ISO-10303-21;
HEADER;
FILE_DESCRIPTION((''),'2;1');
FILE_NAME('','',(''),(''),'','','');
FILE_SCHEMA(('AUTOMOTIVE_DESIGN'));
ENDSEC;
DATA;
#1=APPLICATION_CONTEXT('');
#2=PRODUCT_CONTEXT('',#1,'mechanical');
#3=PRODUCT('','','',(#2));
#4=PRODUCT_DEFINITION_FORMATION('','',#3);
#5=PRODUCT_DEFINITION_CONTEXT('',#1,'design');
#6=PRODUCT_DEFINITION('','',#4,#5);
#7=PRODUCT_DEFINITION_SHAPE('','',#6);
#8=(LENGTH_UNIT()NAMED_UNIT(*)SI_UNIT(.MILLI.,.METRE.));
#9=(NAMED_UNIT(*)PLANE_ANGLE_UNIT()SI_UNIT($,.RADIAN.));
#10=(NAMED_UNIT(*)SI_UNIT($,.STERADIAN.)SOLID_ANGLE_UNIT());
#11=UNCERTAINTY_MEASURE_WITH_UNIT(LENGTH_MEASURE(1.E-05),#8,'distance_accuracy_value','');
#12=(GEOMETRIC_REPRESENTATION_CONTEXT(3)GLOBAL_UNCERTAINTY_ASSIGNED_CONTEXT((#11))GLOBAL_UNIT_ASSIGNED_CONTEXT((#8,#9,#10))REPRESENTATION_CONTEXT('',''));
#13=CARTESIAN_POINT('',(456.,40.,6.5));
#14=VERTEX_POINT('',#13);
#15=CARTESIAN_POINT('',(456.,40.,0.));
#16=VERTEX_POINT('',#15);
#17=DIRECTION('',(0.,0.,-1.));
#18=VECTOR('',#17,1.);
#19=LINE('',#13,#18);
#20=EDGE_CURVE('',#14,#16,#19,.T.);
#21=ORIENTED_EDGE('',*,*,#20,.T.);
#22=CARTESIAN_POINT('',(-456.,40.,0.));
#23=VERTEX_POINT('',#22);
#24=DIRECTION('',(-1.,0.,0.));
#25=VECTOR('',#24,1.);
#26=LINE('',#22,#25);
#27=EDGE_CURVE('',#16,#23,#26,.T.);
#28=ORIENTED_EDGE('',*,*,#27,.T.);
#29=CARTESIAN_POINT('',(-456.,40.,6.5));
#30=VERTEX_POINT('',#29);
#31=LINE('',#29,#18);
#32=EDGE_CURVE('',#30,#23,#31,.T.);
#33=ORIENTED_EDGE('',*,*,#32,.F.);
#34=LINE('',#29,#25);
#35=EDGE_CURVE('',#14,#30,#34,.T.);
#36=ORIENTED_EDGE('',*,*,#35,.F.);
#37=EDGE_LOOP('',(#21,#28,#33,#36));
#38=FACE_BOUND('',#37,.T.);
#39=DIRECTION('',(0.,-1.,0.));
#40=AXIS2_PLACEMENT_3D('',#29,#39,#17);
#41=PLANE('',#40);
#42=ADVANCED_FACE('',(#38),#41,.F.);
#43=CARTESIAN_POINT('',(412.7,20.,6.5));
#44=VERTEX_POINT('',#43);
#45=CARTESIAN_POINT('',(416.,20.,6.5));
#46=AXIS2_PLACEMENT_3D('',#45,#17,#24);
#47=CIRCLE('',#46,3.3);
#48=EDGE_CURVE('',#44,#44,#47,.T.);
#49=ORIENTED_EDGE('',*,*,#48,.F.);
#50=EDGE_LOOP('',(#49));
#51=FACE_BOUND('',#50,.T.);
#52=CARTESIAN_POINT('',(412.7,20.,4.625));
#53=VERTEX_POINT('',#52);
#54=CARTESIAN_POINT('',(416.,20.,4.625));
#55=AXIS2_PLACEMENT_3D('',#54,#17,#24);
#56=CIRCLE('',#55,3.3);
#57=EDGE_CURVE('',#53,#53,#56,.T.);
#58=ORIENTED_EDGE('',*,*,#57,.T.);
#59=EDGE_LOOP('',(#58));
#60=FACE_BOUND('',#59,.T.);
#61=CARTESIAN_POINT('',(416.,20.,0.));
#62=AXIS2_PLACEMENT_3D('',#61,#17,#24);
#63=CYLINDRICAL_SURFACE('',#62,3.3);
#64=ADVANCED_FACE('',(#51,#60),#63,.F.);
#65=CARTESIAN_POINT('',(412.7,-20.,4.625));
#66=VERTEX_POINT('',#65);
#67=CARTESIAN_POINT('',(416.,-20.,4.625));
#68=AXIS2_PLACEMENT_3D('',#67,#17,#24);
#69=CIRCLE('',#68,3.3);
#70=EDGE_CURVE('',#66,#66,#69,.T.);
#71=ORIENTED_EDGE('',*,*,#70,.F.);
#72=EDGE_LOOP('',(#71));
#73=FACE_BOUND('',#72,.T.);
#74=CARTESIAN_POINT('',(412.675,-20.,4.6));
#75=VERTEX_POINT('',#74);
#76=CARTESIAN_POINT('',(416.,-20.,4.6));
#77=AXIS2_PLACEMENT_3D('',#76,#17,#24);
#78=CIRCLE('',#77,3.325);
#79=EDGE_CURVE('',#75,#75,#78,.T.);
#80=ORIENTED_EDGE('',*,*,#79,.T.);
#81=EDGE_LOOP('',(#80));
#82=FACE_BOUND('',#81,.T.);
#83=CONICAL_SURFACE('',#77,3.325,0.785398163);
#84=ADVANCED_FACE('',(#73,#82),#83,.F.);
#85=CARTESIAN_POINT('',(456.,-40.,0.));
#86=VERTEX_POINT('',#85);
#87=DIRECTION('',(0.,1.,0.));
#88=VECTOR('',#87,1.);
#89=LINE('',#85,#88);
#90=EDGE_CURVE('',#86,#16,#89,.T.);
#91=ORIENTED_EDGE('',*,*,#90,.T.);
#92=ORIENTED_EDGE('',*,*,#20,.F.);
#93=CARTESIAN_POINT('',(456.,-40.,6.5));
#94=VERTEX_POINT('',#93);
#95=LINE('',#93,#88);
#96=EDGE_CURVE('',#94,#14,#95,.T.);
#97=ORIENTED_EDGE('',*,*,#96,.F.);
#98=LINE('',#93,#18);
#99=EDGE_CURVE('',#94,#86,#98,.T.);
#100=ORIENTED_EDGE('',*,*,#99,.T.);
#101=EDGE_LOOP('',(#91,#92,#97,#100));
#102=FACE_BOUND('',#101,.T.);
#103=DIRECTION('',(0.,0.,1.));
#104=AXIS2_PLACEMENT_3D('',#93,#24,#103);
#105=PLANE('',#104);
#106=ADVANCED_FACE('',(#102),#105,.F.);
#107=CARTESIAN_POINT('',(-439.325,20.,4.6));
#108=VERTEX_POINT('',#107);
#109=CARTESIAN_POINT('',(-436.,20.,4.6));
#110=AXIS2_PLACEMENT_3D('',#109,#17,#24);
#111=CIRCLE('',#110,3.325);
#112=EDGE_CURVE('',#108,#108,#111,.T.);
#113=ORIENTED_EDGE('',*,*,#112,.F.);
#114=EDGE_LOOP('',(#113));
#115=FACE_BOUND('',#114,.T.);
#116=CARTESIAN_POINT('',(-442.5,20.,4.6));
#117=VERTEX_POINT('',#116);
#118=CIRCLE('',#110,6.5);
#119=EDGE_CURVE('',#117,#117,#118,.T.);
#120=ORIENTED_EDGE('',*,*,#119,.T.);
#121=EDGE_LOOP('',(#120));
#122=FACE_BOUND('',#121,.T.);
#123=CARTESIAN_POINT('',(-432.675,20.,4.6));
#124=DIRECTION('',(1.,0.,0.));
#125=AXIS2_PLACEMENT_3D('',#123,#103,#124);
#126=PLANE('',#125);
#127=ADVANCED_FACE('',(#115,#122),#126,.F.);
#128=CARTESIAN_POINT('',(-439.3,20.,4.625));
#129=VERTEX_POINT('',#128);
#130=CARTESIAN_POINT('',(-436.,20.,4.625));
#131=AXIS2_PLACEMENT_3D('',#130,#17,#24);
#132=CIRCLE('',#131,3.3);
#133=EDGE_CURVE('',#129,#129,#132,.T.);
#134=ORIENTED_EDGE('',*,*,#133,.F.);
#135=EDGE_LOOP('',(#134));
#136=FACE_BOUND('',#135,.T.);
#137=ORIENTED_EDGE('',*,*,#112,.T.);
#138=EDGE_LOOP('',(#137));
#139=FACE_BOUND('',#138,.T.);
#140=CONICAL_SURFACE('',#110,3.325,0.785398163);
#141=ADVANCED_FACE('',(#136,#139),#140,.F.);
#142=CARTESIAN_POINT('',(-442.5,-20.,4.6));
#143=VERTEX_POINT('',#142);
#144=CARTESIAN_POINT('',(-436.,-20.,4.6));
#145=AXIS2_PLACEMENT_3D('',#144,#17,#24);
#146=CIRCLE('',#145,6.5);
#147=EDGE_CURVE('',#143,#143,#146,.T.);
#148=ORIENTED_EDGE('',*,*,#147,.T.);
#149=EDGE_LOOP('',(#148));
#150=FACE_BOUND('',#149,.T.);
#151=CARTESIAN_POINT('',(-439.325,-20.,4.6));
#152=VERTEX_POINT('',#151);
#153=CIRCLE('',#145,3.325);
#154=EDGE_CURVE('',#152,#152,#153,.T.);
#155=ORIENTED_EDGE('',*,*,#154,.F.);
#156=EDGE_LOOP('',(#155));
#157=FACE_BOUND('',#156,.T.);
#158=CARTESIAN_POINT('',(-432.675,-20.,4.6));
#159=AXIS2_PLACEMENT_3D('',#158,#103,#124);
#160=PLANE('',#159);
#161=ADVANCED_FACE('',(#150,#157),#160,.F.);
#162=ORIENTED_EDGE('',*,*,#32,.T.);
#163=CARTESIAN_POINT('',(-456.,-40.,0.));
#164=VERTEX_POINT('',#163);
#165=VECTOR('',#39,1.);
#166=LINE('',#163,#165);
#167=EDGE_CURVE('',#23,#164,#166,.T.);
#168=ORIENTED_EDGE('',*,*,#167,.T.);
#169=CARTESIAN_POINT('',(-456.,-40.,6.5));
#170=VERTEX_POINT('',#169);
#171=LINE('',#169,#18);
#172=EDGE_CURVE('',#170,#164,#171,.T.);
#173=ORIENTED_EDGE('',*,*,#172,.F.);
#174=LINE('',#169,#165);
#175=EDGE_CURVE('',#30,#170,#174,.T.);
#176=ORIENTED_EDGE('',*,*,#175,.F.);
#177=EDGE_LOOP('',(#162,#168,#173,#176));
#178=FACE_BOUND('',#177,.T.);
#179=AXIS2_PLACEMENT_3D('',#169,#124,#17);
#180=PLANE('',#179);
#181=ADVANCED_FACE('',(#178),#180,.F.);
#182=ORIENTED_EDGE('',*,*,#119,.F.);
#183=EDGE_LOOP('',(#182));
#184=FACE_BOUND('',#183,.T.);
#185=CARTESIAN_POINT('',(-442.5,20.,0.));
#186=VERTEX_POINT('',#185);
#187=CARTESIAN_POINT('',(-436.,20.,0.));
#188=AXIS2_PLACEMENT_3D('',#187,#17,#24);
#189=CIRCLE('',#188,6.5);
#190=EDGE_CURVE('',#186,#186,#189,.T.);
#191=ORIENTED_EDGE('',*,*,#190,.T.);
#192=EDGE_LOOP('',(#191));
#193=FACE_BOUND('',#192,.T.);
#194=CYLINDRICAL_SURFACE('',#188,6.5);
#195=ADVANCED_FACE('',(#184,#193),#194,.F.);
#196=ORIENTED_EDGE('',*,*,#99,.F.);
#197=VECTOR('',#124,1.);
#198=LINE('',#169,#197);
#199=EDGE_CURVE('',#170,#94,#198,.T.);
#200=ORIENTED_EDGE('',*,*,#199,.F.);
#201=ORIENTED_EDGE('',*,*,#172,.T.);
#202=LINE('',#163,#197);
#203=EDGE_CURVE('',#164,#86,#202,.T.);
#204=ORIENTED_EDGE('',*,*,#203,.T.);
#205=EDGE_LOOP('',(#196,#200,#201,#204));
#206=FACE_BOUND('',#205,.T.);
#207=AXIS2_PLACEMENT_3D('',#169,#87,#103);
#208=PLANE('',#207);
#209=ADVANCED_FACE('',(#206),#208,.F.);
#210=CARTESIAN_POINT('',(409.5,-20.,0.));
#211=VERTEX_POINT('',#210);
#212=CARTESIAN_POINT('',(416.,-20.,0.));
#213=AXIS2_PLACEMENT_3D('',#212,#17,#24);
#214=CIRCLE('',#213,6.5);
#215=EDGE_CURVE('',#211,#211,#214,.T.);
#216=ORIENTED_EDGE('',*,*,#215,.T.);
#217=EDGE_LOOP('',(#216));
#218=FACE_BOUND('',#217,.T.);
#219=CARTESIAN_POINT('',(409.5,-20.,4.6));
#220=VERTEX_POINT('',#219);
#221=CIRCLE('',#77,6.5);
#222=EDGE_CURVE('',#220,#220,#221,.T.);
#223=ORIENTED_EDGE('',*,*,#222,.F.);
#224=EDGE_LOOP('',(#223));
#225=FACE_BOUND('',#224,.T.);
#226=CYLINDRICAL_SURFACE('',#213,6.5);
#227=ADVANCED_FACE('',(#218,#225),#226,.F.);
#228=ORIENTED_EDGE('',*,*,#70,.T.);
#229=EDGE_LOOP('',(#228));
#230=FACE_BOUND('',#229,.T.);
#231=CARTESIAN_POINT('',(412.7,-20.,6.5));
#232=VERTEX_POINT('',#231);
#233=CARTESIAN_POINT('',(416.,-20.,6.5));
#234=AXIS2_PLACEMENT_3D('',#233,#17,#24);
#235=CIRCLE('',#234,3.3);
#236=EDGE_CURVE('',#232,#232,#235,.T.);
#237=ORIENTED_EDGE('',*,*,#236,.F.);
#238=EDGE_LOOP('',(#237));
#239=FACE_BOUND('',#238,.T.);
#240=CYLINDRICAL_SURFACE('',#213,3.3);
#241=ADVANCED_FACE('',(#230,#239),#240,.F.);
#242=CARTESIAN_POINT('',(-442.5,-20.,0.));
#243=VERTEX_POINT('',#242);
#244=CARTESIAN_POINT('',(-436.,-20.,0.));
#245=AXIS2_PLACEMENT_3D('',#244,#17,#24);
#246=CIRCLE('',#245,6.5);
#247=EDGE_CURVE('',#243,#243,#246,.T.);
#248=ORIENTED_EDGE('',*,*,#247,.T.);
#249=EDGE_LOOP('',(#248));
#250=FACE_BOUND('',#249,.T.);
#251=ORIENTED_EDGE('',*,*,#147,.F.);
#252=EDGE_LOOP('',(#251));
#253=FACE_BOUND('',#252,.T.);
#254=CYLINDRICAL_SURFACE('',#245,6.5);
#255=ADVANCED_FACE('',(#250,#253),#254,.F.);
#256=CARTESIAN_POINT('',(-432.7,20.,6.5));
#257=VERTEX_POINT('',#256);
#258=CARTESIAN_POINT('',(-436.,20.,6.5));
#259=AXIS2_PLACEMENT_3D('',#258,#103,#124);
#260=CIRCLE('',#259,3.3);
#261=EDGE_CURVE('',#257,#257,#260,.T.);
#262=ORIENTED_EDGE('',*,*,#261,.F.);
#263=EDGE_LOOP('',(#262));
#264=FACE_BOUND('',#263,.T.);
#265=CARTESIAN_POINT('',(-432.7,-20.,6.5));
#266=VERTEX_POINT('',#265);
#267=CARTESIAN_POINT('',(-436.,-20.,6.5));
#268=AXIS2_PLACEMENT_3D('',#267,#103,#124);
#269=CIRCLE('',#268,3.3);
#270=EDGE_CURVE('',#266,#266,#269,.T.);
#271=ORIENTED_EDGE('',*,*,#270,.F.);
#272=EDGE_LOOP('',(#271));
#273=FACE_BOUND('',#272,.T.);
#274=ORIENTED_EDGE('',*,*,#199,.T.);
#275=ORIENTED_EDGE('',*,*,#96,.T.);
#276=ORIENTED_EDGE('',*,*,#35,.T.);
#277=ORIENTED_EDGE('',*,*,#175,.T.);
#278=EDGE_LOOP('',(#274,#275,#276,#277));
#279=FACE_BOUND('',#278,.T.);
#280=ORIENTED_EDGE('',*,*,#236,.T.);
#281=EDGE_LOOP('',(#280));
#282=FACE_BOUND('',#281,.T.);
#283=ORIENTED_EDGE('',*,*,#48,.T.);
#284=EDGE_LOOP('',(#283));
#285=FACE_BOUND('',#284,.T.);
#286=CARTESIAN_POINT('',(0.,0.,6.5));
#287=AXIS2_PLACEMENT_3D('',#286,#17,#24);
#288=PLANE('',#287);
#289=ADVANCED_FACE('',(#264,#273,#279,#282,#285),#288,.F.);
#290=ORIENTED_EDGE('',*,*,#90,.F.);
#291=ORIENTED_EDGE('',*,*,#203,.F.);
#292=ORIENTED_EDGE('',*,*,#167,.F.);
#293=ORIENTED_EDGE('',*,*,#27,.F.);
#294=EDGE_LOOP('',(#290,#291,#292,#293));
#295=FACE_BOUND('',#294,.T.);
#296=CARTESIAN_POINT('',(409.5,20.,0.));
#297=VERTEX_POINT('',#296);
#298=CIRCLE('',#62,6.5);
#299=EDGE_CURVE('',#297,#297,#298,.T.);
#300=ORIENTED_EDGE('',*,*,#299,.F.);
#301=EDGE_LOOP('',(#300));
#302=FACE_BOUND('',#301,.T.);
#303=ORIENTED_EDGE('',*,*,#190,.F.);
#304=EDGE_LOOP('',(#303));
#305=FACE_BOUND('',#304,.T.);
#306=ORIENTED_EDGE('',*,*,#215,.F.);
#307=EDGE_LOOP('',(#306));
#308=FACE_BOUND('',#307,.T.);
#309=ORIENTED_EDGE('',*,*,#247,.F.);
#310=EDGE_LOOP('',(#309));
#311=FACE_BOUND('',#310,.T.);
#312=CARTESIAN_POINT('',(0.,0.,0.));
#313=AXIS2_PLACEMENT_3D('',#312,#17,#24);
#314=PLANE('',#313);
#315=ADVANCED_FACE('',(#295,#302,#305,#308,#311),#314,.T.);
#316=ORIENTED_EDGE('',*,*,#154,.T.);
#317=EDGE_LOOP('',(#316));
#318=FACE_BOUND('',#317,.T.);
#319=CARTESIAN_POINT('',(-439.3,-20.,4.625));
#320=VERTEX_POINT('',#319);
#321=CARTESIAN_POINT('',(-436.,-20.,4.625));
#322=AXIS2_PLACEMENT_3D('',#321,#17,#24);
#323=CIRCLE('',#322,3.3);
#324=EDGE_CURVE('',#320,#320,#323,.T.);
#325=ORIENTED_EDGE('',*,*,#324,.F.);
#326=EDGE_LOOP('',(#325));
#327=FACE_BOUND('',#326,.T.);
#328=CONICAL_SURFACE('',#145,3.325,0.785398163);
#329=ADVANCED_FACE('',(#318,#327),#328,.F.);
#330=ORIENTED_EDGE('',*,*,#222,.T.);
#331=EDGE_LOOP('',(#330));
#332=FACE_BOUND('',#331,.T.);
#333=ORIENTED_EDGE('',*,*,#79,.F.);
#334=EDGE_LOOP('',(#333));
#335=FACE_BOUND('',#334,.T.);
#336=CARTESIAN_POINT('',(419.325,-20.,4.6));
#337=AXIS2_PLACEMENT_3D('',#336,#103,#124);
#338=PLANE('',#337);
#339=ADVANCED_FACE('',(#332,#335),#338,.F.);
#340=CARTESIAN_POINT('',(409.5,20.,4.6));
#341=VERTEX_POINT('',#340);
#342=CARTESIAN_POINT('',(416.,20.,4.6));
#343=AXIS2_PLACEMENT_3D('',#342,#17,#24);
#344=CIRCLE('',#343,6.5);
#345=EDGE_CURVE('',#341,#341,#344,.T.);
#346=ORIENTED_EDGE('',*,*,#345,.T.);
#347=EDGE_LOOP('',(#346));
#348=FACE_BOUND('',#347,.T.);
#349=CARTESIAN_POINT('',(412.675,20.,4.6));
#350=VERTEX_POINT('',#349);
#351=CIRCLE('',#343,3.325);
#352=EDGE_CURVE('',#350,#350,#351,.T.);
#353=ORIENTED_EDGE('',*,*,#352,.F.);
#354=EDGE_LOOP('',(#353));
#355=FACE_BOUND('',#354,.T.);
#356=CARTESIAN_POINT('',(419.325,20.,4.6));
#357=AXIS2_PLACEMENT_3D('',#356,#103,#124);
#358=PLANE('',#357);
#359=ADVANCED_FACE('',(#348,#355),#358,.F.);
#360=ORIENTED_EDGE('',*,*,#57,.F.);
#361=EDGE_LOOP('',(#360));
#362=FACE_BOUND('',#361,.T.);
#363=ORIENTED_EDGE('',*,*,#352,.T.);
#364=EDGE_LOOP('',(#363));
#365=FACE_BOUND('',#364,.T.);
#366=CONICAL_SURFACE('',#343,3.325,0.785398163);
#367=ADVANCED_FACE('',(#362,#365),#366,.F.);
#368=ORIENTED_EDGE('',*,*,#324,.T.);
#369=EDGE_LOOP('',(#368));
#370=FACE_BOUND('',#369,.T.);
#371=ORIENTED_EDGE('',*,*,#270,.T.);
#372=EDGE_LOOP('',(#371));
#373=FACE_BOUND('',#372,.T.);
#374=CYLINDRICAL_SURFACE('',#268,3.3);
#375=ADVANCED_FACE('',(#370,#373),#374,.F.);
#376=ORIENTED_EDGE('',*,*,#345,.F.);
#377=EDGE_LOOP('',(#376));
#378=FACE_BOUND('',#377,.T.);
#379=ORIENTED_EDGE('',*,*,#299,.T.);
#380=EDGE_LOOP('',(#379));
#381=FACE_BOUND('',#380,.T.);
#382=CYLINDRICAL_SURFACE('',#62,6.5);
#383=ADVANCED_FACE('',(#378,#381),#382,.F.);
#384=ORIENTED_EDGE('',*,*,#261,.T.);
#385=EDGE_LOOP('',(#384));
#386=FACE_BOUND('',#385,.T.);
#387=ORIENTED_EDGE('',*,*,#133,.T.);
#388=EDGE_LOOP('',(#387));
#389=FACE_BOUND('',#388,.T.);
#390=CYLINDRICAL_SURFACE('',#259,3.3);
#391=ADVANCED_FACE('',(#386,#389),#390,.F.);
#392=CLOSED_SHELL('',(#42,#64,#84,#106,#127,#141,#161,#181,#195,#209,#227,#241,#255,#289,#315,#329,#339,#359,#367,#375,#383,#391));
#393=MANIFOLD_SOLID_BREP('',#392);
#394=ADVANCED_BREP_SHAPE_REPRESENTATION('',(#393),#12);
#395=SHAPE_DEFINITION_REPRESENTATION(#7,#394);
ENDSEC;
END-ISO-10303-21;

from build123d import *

# Parameters (mm, degrees)
ESQUISSE1_W                                = 912
ESQUISSE1_H                                = 80
BOSS_EXTRU_1_DEPTH                         = 6.5
D_GAGEMENT_M61_D                           = 6.6
CHAMBRAGE_POUR_VIS_T_TE_RONDE_BOMB_2_COUNT = 2
CHAMBRAGE_POUR_VIS_T_TE_RONDE_BOMB_2_PITCH = 40
R_P_TITION_LIN_AIRE1_COUNT                 = 2
R_P_TITION_LIN_AIRE1_PITCH                 = 852


with BuildPart() as part:
    # Esquisse1 → Boss.-Extru.1 (new body)
    with BuildSketch(Plane.XY):
        Rectangle(ESQUISSE1_W, ESQUISSE1_H)
    extrude(amount=BOSS_EXTRU_1_DEPTH)

    # Dégagement M61 (through all)
    with Locations(Plane.XY.offset(6.5)):
        with Locations((-436, 20), (-436, -20)):
            Hole(D_GAGEMENT_M61_D / 2)

    # Esquisse4 → Chambrage pour vis à tête ronde bombée M61 (revolve, cut)
    with BuildSketch(Plane(origin=(-436, 20, 0), x_dir=(0, 1, 0), z_dir=(1, 0, 0))):
        Polygon((0, 0), (0, 6.5), (3.3, 6.5), (3.3, 4.625), (3.325, 4.6), (6.5, 4.6), (6.5, 0), align=None)
    chambrage_pour_vis_t_te_ronde_bomb_e_m = revolve(axis=Axis((-436, 20, -6.35), (0, 0, 1)), mode=Mode.SUBTRACT)

    # Chambrage pour vis _ t_te ronde bomb 2: Chambrage pour vis à tête ronde bombée M61 ×2
    with Locations(*[(0, -i * CHAMBRAGE_POUR_VIS_T_TE_RONDE_BOMB_2_PITCH, 0) for i in range(1, CHAMBRAGE_POUR_VIS_T_TE_RONDE_BOMB_2_COUNT)]):
        add(chambrage_pour_vis_t_te_ronde_bomb_e_m, mode=Mode.SUBTRACT)

    # Répétition linéaire1: Chambrage pour vis à tête ronde bombée M61 ×2
    with Locations(*[(i * R_P_TITION_LIN_AIRE1_PITCH, 0, 0) for i in range(1, R_P_TITION_LIN_AIRE1_COUNT)]):
        add(chambrage_pour_vis_t_te_ronde_bomb_e_m, mode=Mode.SUBTRACT)

    # Répétition linéaire1 copy 1 sketch → Répétition linéaire1 copy 1 (revolve, cut)
    with BuildSketch(Plane(origin=(416, -20, 0), x_dir=(0, 1, 0), z_dir=(1, 0, 0))):
        Polygon((0, 0), (0, 6.5), (3.3, 6.5), (3.3, 4.625), (3.325, 4.6), (6.5, 4.6), (6.5, 0), align=None)
    revolve(axis=Axis((416, -20, -6.35), (0, 0, 1)), mode=Mode.SUBTRACT)


solid = part.part
